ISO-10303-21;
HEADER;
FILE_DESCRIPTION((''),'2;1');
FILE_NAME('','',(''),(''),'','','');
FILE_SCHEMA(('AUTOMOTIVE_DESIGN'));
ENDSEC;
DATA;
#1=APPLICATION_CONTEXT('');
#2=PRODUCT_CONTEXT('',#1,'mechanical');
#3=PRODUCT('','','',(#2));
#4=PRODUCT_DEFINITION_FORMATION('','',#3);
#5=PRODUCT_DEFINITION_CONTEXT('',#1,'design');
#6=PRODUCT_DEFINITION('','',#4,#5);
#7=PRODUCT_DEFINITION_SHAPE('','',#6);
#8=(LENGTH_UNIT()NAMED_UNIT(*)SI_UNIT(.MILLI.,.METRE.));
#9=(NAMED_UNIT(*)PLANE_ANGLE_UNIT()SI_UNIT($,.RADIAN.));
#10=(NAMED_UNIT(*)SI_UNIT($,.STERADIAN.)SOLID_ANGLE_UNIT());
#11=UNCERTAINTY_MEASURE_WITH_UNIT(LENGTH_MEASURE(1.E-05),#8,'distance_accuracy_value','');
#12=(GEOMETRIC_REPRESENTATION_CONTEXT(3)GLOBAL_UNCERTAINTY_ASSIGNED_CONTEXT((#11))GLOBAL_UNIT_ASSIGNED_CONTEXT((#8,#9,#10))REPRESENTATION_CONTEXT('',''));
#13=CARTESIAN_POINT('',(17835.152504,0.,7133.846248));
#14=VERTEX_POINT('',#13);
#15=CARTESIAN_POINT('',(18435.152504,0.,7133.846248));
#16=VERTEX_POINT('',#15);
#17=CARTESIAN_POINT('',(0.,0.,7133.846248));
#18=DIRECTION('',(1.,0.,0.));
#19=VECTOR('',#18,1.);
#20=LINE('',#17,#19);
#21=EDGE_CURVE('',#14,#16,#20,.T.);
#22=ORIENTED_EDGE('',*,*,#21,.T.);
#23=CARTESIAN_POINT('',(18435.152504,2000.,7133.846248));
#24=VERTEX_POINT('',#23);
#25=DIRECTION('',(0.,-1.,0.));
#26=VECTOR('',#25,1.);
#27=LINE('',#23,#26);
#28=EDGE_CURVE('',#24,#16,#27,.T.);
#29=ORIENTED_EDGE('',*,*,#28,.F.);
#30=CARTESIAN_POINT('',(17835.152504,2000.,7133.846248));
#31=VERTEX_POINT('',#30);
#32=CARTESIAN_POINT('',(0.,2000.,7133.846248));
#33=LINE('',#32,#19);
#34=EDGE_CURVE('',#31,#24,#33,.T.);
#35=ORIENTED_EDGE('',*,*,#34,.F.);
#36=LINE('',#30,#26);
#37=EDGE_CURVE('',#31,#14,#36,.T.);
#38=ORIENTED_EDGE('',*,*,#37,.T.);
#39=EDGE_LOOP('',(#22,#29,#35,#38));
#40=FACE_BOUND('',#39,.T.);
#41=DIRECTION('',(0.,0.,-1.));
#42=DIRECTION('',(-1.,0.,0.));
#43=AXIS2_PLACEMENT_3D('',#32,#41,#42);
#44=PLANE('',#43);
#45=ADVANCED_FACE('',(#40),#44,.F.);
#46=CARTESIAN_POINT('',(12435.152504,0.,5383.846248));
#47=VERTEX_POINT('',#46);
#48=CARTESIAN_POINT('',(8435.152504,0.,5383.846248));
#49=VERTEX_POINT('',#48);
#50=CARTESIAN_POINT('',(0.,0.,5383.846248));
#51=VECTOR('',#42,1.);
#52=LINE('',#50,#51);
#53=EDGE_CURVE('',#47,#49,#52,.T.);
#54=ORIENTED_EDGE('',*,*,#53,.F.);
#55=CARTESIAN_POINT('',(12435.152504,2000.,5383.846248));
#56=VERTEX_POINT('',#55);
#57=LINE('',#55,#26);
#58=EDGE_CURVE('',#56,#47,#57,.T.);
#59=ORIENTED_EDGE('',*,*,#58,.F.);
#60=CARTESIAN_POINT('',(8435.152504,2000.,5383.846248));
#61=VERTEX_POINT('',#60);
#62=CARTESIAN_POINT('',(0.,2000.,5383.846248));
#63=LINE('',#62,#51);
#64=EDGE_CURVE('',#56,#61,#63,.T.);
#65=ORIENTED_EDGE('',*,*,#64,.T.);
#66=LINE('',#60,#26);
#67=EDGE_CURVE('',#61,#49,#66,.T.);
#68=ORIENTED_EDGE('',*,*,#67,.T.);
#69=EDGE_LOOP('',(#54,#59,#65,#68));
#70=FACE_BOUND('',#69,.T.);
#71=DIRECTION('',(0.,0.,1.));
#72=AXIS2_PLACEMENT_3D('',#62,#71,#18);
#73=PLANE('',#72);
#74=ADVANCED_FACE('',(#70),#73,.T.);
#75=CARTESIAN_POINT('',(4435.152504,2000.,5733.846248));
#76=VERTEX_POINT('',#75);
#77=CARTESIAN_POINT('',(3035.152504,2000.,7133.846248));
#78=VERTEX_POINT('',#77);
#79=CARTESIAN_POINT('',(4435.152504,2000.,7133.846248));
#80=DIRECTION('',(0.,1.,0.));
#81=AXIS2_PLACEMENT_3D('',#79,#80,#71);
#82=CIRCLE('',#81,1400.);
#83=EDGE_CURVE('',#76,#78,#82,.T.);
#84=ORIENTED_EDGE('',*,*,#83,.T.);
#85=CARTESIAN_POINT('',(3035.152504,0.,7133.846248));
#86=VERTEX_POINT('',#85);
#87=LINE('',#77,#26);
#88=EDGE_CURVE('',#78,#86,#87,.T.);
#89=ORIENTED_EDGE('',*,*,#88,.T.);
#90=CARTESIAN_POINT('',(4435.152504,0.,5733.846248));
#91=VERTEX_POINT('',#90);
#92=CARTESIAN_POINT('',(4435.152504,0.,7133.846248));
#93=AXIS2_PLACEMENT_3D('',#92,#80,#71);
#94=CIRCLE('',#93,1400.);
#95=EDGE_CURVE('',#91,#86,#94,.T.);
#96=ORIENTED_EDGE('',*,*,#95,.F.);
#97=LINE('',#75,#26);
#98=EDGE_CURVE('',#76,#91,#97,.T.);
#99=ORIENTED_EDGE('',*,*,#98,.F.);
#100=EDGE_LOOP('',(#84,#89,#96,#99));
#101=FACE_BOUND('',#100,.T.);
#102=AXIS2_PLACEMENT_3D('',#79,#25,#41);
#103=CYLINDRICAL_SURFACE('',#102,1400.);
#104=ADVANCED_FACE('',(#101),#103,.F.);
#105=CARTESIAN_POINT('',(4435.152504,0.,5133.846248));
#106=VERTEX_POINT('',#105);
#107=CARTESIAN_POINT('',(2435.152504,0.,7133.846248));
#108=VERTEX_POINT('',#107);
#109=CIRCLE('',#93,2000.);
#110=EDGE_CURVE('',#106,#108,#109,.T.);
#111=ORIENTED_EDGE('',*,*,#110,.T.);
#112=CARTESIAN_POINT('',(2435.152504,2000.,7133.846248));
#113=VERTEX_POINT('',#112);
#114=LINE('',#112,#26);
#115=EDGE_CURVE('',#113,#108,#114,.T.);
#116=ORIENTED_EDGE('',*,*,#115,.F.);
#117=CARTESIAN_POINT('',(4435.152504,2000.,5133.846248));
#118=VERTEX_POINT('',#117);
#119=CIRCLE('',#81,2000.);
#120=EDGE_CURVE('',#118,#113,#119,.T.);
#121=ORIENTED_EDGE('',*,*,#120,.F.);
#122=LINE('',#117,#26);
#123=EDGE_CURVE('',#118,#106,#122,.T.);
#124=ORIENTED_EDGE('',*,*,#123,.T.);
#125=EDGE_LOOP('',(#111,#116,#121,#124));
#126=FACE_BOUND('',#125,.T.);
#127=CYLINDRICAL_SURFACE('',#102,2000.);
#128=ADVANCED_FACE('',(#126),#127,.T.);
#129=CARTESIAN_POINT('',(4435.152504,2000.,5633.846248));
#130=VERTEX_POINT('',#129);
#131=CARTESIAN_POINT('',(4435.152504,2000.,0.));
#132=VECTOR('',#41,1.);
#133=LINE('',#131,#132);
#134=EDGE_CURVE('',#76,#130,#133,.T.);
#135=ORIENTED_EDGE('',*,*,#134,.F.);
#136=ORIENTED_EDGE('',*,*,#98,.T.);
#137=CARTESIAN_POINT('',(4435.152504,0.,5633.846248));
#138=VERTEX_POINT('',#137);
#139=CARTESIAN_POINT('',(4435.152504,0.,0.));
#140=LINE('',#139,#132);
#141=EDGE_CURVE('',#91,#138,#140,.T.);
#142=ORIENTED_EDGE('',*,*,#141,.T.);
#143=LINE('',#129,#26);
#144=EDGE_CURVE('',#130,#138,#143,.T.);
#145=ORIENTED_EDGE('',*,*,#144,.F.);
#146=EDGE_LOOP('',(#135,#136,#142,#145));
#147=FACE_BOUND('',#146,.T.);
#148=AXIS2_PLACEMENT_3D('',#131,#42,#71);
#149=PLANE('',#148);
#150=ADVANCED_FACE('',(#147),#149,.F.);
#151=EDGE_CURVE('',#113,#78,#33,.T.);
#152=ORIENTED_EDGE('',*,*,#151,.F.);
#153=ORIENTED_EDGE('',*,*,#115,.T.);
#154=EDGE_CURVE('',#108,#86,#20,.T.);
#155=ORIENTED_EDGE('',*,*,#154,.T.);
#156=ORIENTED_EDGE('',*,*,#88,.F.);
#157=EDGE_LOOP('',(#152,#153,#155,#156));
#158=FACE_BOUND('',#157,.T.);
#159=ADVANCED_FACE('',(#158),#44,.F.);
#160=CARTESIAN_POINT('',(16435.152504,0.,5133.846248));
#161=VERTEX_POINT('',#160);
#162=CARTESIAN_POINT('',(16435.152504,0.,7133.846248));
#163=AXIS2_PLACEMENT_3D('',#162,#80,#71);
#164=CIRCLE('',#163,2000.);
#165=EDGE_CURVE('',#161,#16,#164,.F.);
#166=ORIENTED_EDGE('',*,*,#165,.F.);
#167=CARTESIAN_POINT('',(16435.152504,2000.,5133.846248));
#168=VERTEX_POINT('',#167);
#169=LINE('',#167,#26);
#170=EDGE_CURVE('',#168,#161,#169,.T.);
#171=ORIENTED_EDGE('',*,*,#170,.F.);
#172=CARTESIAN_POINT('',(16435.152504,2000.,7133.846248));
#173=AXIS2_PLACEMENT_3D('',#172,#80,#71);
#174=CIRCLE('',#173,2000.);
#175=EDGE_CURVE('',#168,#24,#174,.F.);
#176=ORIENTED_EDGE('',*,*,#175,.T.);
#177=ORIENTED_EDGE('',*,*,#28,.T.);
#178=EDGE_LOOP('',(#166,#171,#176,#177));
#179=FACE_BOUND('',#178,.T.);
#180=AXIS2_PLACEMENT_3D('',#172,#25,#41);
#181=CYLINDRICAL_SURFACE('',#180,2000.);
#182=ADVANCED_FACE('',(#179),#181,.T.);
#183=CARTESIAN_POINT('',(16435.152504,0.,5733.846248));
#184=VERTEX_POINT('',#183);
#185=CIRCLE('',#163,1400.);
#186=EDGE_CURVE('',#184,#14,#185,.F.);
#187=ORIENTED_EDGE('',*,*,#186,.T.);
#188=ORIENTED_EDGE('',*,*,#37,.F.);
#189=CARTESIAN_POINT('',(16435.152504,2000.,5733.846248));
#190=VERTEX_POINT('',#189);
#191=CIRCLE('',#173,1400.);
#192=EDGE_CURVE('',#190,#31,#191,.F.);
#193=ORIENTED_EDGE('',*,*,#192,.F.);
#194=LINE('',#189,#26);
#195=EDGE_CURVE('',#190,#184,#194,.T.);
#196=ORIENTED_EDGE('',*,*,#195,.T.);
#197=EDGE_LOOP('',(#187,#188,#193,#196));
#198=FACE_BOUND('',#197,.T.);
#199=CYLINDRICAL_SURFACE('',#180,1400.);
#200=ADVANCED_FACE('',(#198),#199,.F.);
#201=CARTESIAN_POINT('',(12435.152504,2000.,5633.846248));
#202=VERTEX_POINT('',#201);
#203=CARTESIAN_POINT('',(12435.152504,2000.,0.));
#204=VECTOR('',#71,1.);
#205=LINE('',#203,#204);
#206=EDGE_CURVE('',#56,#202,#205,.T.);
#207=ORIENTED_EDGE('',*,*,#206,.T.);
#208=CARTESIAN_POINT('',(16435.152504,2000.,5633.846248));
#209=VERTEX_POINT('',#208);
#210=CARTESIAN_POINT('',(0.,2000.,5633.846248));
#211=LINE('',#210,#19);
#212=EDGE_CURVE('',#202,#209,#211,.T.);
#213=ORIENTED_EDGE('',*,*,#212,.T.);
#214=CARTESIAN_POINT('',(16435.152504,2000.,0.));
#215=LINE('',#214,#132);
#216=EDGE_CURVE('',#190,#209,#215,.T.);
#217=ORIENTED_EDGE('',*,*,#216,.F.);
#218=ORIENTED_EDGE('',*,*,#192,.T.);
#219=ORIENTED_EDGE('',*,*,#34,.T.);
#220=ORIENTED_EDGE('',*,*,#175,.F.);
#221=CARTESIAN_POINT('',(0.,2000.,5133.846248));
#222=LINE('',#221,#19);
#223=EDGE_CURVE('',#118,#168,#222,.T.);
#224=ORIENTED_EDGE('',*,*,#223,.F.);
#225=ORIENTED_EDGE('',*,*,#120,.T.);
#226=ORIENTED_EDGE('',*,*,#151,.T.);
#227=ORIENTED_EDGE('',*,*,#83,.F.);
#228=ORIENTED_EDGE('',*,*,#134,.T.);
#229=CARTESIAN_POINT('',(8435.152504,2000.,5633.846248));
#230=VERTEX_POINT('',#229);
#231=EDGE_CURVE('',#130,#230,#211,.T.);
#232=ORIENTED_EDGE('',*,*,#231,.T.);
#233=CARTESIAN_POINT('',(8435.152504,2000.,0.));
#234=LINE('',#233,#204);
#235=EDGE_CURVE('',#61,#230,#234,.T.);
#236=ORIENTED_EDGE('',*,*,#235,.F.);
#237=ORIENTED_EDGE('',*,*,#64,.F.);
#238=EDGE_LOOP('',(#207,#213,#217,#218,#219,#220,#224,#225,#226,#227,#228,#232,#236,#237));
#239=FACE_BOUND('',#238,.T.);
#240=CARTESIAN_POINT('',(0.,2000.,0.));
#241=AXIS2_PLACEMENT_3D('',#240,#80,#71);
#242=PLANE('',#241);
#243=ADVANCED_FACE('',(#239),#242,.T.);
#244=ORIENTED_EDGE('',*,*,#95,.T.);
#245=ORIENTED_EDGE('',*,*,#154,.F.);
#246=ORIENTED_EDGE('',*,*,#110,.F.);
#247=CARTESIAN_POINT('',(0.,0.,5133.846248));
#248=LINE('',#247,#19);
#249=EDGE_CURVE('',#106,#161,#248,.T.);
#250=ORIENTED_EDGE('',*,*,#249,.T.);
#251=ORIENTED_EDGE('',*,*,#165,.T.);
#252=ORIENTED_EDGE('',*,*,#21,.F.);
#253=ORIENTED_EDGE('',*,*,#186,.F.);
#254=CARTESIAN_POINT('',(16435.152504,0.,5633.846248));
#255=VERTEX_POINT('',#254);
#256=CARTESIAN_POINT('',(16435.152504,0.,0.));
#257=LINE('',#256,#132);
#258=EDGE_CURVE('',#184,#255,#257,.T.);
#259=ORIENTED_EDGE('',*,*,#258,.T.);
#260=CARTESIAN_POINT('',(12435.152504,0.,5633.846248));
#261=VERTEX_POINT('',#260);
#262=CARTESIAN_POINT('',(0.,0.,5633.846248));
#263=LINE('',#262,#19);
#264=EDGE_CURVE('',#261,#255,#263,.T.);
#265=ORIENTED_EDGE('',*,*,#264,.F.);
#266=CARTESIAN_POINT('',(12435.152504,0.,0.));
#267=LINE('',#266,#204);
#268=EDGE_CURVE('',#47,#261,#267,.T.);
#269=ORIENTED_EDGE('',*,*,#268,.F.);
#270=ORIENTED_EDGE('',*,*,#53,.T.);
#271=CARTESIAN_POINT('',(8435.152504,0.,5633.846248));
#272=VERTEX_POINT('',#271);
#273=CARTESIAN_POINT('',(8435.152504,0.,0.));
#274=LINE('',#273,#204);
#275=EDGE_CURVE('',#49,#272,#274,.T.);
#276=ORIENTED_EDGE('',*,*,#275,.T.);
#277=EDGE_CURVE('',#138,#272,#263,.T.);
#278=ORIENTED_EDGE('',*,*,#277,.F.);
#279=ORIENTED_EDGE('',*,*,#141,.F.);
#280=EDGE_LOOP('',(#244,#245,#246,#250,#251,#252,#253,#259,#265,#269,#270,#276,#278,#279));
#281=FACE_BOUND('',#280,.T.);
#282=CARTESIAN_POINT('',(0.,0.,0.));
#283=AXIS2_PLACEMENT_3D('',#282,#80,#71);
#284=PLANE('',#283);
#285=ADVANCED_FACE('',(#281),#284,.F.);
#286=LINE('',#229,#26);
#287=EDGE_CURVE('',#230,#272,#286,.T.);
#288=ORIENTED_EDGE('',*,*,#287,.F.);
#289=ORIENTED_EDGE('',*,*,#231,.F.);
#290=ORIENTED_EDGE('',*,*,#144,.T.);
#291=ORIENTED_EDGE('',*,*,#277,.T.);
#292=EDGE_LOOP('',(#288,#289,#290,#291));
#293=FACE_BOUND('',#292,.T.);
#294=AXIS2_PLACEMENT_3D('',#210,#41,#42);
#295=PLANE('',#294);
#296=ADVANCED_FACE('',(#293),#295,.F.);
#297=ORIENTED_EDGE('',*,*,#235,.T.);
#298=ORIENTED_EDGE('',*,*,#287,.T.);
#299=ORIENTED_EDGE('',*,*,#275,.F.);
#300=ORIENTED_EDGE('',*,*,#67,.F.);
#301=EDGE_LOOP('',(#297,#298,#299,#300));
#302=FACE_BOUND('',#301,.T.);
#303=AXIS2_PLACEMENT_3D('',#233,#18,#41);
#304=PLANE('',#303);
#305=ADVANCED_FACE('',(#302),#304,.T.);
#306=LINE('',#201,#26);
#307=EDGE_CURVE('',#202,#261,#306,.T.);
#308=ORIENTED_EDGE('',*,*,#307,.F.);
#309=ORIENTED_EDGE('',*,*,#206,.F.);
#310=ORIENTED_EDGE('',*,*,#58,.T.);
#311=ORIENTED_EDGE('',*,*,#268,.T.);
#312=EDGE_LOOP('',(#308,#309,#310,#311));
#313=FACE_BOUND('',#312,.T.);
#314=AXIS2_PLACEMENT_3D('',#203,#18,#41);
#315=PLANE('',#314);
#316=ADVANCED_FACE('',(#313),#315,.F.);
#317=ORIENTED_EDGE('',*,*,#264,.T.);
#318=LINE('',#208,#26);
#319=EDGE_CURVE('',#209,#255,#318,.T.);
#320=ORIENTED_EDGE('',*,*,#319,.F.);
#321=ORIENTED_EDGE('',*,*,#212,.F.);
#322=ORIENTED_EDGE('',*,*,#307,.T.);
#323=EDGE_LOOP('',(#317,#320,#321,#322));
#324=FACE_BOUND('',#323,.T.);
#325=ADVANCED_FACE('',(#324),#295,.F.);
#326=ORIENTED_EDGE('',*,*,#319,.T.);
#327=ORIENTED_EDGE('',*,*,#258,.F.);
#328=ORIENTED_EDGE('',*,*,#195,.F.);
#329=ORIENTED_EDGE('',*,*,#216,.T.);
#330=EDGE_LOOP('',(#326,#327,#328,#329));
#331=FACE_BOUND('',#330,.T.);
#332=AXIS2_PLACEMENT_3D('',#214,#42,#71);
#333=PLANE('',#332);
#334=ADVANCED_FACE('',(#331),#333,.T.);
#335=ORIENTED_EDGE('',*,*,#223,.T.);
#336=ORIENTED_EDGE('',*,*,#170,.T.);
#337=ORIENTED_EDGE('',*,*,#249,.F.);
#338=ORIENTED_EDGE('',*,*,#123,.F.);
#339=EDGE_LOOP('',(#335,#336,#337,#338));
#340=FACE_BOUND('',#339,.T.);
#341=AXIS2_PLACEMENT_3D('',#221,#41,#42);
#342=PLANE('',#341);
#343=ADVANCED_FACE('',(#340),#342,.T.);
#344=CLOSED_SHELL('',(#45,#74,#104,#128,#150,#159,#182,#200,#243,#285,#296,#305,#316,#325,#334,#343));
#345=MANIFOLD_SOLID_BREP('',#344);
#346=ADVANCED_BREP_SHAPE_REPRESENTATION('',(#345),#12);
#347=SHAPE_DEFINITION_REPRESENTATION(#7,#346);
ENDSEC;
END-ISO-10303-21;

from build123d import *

# Parameters (mm, degrees)
BOSS_EXTRUDE3_DEPTH = 2000


with BuildPart() as part:
    # Sketch1 → Boss-Extrude3 (new body)
    with BuildSketch(Plane(origin=(0, 0, 0), x_dir=(1, 0, 0), z_dir=(0, 1, 0))):
        with BuildLine():
            Line((4435.152503865, -5133.846248201), (16435.152503865, -5133.846248201))
            ThreePointArc((16435.152503865, -5133.846248201), (17849.366066238, -5719.632685828), (18435.152503865, -7133.846248201))
            Line((18435.152503865, -7133.846248201), (17935.152503865, -7133.846248201))
            ThreePointArc((17935.152503865, -7133.846248201), (17495.812675645, -6073.186076421), (16435.152503865, -5633.846248201))
            Line((16435.152503865, -5633.846248201), (12435.152503865, -5633.846248201))
            Line((12435.152503865, -5633.846248201), (12435.152503865, -5383.846248201))
            Line((12435.152503865, -5383.846248201), (10435.152503865, -5383.846248201))
            Line((10435.152503865, -5383.846248201), (8435.152503865, -5383.846248201))
            Line((8435.152503865, -5383.846248201), (8435.152503865, -5633.846248201))
            Line((8435.152503865, -5633.846248201), (4435.152503865, -5633.846248201))
            ThreePointArc((4435.152503865, -5633.846248201), (3374.492332085, -6073.186076421), (2935.152503865, -7133.846248201))
            Line((2935.152503865, -7133.846248201), (2435.152503865, -7133.846248201))
            ThreePointArc((2435.152503865, -7133.846248201), (3020.938941492, -5719.632685828), (4435.152503865, -5133.846248201))
        make_face()
        with BuildLine():
            Line((4435.152503865, -5733.846248201), (4435.152503865, -5633.846248201))
            ThreePointArc((4435.152503865, -5633.846248201), (3374.492332085, -6073.186076421), (2935.152503865, -7133.846248201))
            Line((2935.152503865, -7133.846248201), (3035.152503865, -7133.846248201))
            ThreePointArc((3035.152503865, -7133.846248201), (3445.203010204, -6143.89675454), (4435.152503865, -5733.846248201))
        make_face()
        with BuildLine():
            ThreePointArc((16435.152503865, -5633.846248201), (17495.812675645, -6073.186076421), (17935.152503865, -7133.846248201))
            Line((17935.152503865, -7133.846248201), (17835.152503865, -7133.846248201))
            ThreePointArc((17835.152503865, -7133.846248201), (17425.101997526, -6143.89675454), (16435.152503865, -5733.846248201))
            Line((16435.152503865, -5733.846248201), (16435.152503865, -5633.846248201))
        make_face()
    extrude(amount=BOSS_EXTRUDE3_DEPTH)


solid = part.part
